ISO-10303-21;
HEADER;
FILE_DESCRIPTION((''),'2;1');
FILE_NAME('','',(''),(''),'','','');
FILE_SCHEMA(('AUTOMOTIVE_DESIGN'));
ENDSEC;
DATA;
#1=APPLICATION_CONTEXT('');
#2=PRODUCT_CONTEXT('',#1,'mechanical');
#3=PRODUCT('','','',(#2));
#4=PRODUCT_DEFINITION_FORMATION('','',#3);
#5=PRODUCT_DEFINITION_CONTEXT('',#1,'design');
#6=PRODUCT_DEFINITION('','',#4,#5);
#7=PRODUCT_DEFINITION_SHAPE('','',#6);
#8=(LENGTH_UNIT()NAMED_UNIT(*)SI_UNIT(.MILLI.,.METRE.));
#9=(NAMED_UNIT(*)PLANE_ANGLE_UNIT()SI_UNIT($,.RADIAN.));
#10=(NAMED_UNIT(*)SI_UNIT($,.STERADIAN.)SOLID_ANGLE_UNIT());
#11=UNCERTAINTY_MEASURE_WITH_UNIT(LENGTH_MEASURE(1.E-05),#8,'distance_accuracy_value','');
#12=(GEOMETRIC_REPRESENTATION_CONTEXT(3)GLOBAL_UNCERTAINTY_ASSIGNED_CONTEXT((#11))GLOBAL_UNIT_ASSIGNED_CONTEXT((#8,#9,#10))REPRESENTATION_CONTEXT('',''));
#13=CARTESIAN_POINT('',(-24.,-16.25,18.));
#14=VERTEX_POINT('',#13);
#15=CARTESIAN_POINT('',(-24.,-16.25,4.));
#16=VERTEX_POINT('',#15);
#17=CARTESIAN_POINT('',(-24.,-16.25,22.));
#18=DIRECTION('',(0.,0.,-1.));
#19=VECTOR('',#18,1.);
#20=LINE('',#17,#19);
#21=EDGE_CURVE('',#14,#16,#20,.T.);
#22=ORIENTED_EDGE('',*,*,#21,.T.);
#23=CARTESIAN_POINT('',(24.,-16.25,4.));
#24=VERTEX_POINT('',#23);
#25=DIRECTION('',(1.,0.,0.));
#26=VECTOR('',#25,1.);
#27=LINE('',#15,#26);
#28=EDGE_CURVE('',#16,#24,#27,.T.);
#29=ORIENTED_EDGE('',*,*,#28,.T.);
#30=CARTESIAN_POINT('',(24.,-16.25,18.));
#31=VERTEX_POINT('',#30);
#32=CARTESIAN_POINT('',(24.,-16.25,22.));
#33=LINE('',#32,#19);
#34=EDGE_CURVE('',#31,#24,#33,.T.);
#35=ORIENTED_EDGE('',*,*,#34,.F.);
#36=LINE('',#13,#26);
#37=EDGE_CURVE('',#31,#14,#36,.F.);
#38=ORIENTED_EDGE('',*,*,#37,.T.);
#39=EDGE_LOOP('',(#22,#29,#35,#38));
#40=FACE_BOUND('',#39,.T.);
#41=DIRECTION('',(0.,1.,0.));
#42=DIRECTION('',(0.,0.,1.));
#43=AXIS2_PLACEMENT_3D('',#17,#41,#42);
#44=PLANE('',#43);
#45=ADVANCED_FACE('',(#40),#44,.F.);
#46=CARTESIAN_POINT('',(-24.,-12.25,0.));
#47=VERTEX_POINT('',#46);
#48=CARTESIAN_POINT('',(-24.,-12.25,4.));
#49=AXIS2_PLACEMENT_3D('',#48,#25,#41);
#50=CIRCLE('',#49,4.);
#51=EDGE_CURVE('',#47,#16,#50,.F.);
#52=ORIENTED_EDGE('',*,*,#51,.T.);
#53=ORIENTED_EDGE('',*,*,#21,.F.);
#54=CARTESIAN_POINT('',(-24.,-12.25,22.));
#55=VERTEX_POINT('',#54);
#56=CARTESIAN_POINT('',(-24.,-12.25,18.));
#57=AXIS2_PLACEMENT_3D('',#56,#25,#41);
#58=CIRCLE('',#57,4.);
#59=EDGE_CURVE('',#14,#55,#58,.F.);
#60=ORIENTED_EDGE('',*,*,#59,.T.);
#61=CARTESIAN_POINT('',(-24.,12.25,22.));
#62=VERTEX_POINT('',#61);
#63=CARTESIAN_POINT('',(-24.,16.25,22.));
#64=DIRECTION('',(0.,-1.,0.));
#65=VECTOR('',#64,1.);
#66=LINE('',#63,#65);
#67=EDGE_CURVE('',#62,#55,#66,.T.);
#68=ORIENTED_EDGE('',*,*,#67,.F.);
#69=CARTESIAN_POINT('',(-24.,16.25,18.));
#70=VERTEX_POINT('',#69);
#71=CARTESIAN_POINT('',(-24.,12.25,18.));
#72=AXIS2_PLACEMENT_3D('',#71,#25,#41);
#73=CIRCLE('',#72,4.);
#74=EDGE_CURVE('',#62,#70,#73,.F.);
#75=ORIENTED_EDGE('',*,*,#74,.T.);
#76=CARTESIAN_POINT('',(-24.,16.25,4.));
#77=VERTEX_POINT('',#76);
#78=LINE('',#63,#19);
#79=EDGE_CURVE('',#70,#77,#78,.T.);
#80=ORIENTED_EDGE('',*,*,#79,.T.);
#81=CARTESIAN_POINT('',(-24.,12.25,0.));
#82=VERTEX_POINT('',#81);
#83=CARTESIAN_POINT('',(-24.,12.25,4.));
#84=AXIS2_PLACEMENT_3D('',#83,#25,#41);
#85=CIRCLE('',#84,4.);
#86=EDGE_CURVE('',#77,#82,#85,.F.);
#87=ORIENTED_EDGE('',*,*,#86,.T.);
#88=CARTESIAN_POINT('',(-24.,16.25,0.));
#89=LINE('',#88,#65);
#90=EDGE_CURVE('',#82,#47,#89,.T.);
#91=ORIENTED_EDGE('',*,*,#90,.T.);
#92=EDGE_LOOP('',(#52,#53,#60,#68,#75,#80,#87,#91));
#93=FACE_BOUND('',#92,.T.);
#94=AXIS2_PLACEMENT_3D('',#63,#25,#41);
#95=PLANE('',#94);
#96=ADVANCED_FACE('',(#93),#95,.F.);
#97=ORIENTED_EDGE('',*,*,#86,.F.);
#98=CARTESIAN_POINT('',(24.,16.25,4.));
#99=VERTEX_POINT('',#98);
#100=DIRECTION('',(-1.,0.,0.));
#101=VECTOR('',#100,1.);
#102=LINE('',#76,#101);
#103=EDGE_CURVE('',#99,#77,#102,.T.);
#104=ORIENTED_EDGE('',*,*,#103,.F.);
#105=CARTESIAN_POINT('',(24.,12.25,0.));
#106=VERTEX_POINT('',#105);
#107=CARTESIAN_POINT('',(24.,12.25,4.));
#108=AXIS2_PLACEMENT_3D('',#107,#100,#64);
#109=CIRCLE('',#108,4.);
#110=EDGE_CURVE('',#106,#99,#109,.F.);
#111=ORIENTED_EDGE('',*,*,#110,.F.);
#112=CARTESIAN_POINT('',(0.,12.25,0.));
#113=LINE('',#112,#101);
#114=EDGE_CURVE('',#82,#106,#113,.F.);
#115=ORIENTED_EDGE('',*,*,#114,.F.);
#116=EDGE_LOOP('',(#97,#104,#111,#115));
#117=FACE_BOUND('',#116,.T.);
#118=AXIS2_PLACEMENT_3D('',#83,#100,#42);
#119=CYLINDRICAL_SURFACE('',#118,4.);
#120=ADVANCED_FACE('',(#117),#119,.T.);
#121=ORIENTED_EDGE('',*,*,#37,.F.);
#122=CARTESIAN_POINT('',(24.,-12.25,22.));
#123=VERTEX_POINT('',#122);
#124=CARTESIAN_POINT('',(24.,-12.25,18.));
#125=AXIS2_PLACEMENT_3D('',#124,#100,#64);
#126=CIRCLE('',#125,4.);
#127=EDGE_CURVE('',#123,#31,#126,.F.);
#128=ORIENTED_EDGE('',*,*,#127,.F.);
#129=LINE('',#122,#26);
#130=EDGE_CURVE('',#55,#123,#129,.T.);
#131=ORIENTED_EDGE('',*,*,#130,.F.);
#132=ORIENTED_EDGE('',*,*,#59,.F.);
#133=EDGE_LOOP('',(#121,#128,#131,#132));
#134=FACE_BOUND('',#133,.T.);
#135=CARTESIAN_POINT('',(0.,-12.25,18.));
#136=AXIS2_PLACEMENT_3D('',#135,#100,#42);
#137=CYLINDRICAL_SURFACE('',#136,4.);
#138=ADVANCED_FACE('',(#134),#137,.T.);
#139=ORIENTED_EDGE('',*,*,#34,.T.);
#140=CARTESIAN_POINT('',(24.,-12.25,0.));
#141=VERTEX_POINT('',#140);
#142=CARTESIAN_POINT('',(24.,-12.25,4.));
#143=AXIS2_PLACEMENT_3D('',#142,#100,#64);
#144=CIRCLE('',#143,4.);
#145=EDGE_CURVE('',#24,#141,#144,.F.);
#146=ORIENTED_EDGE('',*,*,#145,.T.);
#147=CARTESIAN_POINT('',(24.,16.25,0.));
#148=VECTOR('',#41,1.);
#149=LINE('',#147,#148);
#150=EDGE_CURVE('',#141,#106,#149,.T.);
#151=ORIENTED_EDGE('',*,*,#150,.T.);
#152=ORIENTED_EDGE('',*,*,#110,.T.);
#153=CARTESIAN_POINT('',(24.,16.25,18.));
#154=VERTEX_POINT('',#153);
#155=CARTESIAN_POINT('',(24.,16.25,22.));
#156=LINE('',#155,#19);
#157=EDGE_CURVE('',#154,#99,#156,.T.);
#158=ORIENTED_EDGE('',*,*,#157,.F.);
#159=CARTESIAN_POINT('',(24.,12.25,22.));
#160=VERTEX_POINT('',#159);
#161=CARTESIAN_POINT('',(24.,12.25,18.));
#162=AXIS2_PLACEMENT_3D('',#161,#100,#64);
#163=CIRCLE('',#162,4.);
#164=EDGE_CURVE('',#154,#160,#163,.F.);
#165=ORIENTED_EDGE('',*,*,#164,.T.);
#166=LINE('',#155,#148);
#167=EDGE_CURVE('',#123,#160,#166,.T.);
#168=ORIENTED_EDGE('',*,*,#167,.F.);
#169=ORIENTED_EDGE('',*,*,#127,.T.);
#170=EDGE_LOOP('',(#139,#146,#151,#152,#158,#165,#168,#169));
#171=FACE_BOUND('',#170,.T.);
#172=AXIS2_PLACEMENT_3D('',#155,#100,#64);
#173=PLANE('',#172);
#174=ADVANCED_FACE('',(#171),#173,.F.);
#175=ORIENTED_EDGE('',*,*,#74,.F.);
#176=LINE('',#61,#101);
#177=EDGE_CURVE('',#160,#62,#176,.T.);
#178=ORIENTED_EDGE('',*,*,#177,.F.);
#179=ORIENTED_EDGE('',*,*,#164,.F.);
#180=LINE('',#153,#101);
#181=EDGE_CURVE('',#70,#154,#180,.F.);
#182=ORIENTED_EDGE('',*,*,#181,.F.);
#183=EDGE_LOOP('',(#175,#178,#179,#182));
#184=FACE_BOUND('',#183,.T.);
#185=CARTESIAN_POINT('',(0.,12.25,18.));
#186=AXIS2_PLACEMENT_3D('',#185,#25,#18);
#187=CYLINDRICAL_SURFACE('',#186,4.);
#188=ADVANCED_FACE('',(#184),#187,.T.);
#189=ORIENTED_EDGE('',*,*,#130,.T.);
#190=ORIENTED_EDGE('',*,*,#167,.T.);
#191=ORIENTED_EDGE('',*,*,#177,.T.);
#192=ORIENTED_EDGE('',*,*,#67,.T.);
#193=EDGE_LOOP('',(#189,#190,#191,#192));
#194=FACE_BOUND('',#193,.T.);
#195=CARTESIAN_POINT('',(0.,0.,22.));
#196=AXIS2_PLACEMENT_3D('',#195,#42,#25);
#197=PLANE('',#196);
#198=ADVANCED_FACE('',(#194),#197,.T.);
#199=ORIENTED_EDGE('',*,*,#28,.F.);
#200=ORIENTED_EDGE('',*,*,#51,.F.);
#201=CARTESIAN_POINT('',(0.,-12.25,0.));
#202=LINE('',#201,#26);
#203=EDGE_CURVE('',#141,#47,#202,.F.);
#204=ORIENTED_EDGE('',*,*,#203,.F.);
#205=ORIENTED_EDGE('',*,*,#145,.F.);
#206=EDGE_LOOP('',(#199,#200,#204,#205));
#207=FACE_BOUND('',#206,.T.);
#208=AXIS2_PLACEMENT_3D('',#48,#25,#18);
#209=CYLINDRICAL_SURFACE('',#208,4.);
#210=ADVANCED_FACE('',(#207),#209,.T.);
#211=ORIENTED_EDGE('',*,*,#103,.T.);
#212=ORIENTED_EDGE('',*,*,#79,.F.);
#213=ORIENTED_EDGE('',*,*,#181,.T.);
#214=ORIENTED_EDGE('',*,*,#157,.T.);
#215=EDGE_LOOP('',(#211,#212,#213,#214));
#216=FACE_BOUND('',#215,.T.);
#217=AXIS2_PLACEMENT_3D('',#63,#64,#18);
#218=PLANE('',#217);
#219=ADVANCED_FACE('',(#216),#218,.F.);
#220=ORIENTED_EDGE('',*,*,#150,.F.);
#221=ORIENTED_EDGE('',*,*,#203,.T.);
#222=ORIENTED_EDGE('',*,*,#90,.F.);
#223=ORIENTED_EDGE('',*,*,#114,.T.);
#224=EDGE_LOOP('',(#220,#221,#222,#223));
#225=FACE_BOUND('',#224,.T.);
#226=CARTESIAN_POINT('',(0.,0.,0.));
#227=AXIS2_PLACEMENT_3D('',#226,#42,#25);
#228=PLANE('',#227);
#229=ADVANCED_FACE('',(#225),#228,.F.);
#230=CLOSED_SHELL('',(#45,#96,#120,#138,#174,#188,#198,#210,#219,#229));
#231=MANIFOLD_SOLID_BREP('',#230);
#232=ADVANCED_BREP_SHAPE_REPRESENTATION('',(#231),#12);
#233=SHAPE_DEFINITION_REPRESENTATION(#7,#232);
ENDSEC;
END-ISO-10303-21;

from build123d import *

# Parameters (mm, degrees)
SKETCH_1_W      = 48
SKETCH_1_H      = 32.5
EXTRUDE_1_DEPTH = 22
FILLET_1_R      = 4


with BuildPart() as part:
    # ｽｹｯﾁ1 → ﾎﾞｽ - 押し出し1 (new body)
    with BuildSketch(Plane.XY):
        Rectangle(SKETCH_1_W, SKETCH_1_H)
    extrude(amount=EXTRUDE_1_DEPTH)

    # ﾌｨﾚｯﾄ1
    fillet_1_edges = [part.edges().sort_by_distance(p)[0] for p in [
        (0, -16.25, 22),
        (0, -16.25, 0),
        (0, 16.25, 0),
        (0, 16.25, 22),
    ]]
    fillet(fillet_1_edges, radius=FILLET_1_R)


solid = part.part
